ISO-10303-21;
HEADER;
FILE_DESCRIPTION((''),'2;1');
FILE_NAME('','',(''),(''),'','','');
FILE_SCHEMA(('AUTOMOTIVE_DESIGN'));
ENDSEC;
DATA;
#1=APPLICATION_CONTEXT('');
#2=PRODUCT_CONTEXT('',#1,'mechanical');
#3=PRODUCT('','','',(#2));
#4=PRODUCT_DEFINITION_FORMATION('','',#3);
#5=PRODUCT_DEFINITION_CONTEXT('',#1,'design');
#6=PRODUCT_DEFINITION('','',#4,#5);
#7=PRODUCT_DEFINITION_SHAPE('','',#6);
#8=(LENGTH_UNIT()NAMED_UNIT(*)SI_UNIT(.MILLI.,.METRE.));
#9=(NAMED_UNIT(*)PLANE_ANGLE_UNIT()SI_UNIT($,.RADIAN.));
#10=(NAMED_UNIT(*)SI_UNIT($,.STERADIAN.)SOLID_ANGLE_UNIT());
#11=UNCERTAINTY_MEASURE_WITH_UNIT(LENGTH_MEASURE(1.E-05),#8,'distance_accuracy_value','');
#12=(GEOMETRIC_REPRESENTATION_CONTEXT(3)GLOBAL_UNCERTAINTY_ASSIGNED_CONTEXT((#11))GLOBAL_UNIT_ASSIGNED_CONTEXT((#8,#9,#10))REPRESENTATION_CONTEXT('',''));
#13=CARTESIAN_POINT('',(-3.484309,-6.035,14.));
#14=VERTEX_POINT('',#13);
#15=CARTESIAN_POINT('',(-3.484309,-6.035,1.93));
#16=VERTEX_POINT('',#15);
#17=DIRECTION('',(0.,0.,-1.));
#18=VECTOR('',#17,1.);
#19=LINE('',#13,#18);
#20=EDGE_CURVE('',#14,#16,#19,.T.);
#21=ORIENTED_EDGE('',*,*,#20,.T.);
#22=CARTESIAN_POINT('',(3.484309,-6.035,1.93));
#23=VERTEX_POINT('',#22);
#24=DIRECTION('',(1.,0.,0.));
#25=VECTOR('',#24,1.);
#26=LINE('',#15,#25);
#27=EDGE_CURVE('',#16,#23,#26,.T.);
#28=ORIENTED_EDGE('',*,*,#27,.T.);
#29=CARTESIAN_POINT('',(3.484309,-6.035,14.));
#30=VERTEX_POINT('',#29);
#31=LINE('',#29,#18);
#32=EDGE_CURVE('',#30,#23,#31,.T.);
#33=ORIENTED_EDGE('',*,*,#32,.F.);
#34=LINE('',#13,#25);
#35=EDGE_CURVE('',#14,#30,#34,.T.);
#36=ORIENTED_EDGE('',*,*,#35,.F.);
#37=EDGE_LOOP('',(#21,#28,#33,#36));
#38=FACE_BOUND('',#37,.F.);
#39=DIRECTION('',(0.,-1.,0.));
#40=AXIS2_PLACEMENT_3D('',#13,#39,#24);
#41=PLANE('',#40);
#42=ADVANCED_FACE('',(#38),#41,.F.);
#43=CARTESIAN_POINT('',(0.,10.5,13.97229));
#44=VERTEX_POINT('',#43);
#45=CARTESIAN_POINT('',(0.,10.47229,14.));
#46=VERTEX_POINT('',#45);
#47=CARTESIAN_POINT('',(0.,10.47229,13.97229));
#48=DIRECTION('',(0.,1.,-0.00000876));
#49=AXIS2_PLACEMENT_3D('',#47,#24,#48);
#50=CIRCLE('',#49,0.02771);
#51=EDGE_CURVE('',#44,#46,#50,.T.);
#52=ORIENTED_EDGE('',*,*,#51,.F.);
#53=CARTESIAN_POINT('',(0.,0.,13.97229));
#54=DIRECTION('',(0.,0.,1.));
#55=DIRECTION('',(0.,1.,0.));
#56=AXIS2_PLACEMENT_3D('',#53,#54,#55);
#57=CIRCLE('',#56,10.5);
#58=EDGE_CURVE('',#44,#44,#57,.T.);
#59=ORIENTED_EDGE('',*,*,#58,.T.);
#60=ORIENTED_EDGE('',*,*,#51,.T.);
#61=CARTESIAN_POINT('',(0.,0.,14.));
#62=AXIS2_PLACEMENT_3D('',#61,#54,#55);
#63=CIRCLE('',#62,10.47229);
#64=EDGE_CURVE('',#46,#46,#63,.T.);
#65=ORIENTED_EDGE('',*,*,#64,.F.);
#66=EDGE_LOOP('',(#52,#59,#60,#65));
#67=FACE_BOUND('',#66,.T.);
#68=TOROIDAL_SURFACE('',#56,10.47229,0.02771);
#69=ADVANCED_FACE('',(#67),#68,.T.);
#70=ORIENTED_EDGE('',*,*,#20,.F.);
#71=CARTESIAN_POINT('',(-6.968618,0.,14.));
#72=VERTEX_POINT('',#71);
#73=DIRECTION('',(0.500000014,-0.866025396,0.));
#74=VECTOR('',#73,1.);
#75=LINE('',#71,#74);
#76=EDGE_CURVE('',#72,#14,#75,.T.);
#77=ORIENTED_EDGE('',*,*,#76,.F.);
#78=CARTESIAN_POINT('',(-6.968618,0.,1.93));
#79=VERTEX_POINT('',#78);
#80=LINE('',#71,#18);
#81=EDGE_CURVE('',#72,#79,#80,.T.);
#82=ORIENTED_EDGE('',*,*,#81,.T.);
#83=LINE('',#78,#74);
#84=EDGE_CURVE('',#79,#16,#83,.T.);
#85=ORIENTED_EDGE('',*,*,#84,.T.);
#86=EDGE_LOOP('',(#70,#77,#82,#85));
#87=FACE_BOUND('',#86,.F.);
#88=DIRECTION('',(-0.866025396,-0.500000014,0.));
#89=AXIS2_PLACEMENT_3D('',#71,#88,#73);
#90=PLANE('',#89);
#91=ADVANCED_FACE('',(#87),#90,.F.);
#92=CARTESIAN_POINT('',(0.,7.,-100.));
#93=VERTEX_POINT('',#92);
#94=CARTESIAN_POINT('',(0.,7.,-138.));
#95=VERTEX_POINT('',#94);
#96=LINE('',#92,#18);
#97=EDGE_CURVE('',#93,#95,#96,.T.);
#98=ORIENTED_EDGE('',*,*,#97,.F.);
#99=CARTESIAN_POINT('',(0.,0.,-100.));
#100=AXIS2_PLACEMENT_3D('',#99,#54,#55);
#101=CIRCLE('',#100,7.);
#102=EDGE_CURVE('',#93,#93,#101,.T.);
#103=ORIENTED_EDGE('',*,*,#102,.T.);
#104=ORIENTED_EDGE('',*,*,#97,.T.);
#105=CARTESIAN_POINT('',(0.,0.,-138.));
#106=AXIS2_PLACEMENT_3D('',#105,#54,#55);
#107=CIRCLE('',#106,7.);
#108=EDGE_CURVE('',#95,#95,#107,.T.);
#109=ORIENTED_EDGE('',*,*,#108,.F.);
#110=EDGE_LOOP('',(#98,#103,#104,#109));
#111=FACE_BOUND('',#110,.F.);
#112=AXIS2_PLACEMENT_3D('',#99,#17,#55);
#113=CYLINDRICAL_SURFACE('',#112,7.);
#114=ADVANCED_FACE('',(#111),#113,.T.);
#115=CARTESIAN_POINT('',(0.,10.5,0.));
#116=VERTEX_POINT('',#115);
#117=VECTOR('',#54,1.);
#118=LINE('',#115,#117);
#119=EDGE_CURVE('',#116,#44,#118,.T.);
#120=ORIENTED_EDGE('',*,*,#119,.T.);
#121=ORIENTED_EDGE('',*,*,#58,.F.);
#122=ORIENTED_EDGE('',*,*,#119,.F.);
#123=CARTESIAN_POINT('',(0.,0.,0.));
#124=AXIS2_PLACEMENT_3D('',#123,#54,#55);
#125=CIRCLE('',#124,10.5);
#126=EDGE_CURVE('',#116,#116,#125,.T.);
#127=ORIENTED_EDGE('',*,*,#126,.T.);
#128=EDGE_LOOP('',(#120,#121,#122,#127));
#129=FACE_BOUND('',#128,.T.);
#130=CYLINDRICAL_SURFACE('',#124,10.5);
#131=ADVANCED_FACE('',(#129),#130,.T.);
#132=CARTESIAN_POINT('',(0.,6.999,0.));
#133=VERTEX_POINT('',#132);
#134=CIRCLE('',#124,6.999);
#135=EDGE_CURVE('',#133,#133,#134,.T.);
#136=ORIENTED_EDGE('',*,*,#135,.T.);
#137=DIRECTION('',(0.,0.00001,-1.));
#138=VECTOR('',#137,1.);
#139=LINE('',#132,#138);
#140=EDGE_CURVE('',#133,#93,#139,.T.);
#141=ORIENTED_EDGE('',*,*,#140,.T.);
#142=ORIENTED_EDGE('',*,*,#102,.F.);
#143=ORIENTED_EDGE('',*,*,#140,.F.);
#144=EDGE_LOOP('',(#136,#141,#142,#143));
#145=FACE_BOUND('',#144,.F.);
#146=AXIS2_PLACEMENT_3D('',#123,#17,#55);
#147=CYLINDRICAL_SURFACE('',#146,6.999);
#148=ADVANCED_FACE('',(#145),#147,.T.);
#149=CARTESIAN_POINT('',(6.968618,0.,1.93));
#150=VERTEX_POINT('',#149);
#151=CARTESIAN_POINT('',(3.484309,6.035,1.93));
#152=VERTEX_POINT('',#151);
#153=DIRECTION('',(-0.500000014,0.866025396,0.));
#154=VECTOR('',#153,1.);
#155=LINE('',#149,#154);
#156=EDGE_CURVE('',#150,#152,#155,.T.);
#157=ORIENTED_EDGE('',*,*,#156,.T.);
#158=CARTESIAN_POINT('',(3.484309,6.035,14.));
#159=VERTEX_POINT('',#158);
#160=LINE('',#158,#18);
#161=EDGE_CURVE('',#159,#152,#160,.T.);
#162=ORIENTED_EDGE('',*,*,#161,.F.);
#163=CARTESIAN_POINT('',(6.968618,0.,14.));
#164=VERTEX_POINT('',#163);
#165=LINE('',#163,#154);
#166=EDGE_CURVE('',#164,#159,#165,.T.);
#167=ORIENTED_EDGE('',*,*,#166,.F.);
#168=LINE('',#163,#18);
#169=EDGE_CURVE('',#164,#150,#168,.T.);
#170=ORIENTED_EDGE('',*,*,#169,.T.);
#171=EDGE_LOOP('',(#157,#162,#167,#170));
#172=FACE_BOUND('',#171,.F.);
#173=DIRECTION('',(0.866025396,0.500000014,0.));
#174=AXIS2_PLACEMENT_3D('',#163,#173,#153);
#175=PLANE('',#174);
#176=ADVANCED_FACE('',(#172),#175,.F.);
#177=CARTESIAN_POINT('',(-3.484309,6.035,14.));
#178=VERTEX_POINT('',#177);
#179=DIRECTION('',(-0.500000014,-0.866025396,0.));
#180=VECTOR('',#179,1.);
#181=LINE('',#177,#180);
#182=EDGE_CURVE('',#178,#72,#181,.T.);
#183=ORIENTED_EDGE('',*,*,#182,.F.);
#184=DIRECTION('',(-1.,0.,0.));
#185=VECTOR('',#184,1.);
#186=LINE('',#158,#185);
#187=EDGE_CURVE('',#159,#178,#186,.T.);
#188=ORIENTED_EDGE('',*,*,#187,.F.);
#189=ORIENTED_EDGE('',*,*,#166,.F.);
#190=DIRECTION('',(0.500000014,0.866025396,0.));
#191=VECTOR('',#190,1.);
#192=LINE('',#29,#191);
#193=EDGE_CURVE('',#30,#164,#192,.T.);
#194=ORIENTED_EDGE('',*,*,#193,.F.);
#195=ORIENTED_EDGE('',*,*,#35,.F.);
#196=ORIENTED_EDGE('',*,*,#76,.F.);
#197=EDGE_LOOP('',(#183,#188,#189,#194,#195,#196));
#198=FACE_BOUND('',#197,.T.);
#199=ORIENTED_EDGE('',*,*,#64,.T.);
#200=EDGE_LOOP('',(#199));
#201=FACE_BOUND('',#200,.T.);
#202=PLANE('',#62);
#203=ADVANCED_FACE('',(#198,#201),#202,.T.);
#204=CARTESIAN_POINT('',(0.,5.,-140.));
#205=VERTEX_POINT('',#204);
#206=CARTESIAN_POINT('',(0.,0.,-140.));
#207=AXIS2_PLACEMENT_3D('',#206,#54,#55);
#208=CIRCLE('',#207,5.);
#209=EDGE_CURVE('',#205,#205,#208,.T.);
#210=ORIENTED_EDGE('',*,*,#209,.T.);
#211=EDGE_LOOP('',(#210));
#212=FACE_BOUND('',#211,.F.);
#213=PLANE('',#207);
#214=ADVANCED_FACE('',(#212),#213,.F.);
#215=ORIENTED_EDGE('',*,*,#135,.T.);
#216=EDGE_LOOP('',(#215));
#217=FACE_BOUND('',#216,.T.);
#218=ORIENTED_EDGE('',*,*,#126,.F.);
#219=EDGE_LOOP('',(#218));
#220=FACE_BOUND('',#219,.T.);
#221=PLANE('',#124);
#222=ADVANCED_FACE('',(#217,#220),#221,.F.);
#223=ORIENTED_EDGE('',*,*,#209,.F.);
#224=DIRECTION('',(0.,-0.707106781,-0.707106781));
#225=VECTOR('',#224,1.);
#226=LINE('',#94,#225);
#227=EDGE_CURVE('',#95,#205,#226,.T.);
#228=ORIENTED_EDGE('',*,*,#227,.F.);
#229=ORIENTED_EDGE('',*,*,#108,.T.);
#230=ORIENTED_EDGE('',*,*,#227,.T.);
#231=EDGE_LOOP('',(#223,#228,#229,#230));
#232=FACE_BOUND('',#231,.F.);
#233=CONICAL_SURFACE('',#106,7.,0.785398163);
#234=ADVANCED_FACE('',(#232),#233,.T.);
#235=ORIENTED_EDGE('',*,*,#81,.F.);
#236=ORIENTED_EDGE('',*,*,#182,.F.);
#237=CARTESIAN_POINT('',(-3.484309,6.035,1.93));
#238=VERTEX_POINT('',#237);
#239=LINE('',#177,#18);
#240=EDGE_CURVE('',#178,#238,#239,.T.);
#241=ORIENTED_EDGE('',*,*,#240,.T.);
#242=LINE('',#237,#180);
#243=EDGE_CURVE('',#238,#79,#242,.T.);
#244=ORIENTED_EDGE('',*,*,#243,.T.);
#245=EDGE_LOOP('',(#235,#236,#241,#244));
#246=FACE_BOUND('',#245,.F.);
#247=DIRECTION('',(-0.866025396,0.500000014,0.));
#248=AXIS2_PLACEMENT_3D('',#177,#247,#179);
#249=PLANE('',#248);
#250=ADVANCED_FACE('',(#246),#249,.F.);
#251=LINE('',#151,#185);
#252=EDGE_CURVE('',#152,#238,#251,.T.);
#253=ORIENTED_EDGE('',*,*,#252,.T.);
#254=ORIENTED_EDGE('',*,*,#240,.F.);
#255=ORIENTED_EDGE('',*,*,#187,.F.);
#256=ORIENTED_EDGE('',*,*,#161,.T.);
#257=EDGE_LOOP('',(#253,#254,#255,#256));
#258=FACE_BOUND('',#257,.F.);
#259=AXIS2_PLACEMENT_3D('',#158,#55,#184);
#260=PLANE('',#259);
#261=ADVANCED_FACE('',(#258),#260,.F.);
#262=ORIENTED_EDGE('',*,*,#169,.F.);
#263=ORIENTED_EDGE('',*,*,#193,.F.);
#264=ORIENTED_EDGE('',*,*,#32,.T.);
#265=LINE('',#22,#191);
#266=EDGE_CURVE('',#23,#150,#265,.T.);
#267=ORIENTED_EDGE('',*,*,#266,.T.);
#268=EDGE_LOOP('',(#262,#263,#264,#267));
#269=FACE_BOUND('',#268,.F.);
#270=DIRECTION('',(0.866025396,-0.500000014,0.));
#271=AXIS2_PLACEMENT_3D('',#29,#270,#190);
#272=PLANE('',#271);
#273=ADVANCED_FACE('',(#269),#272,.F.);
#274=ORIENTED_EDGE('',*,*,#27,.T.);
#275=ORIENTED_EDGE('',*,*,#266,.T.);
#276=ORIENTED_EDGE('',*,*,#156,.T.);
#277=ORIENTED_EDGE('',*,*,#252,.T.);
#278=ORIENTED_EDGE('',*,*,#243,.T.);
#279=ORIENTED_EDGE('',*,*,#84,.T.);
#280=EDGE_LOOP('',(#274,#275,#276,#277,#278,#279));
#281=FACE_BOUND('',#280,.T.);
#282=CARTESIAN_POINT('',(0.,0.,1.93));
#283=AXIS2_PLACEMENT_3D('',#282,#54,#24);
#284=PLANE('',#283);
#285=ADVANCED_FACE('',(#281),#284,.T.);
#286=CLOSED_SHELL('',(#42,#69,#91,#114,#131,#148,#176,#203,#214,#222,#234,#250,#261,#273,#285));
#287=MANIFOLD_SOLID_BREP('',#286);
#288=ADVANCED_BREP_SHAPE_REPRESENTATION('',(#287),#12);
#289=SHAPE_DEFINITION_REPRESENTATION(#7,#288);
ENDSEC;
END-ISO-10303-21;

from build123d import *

# Parameters (mm, degrees)
POCKET_DEPTH = 12.07


with BuildPart() as part:
    # Sketch → Revolve (revolve)
    with BuildSketch(Plane.YZ):
        with BuildLine():
            Line((6.999, 0), (10.5, 0))
            Line((10.5, 0), (10.5, 13.97229))
            ThreePointArc((10.5, 13.97229), (10.491884, 13.991884), (10.47229, 14))
            Line((10.47229, 14), (0, 14))
            Line((0, -140), (0, 14))
            Line((5, -140), (0, -140))
            Line((7, -138), (5, -140))
            Line((7, -100), (7, -138))
            Line((6.999, 0), (7, -100))
        make_face()
    revolve(axis=Axis((0, 0, 0), (0, 0, 1)))

    # Sketch001 → Pocket (cut)
    with BuildSketch(Plane.XY.offset(14)):
        Polygon((6.968618, 0), (3.484309, 6.035), (-3.484309, 6.035), (-6.968618, 0), (-3.484309, -6.035), (3.484309, -6.035), align=None)
    extrude(amount=-POCKET_DEPTH, mode=Mode.SUBTRACT)


solid = part.part
